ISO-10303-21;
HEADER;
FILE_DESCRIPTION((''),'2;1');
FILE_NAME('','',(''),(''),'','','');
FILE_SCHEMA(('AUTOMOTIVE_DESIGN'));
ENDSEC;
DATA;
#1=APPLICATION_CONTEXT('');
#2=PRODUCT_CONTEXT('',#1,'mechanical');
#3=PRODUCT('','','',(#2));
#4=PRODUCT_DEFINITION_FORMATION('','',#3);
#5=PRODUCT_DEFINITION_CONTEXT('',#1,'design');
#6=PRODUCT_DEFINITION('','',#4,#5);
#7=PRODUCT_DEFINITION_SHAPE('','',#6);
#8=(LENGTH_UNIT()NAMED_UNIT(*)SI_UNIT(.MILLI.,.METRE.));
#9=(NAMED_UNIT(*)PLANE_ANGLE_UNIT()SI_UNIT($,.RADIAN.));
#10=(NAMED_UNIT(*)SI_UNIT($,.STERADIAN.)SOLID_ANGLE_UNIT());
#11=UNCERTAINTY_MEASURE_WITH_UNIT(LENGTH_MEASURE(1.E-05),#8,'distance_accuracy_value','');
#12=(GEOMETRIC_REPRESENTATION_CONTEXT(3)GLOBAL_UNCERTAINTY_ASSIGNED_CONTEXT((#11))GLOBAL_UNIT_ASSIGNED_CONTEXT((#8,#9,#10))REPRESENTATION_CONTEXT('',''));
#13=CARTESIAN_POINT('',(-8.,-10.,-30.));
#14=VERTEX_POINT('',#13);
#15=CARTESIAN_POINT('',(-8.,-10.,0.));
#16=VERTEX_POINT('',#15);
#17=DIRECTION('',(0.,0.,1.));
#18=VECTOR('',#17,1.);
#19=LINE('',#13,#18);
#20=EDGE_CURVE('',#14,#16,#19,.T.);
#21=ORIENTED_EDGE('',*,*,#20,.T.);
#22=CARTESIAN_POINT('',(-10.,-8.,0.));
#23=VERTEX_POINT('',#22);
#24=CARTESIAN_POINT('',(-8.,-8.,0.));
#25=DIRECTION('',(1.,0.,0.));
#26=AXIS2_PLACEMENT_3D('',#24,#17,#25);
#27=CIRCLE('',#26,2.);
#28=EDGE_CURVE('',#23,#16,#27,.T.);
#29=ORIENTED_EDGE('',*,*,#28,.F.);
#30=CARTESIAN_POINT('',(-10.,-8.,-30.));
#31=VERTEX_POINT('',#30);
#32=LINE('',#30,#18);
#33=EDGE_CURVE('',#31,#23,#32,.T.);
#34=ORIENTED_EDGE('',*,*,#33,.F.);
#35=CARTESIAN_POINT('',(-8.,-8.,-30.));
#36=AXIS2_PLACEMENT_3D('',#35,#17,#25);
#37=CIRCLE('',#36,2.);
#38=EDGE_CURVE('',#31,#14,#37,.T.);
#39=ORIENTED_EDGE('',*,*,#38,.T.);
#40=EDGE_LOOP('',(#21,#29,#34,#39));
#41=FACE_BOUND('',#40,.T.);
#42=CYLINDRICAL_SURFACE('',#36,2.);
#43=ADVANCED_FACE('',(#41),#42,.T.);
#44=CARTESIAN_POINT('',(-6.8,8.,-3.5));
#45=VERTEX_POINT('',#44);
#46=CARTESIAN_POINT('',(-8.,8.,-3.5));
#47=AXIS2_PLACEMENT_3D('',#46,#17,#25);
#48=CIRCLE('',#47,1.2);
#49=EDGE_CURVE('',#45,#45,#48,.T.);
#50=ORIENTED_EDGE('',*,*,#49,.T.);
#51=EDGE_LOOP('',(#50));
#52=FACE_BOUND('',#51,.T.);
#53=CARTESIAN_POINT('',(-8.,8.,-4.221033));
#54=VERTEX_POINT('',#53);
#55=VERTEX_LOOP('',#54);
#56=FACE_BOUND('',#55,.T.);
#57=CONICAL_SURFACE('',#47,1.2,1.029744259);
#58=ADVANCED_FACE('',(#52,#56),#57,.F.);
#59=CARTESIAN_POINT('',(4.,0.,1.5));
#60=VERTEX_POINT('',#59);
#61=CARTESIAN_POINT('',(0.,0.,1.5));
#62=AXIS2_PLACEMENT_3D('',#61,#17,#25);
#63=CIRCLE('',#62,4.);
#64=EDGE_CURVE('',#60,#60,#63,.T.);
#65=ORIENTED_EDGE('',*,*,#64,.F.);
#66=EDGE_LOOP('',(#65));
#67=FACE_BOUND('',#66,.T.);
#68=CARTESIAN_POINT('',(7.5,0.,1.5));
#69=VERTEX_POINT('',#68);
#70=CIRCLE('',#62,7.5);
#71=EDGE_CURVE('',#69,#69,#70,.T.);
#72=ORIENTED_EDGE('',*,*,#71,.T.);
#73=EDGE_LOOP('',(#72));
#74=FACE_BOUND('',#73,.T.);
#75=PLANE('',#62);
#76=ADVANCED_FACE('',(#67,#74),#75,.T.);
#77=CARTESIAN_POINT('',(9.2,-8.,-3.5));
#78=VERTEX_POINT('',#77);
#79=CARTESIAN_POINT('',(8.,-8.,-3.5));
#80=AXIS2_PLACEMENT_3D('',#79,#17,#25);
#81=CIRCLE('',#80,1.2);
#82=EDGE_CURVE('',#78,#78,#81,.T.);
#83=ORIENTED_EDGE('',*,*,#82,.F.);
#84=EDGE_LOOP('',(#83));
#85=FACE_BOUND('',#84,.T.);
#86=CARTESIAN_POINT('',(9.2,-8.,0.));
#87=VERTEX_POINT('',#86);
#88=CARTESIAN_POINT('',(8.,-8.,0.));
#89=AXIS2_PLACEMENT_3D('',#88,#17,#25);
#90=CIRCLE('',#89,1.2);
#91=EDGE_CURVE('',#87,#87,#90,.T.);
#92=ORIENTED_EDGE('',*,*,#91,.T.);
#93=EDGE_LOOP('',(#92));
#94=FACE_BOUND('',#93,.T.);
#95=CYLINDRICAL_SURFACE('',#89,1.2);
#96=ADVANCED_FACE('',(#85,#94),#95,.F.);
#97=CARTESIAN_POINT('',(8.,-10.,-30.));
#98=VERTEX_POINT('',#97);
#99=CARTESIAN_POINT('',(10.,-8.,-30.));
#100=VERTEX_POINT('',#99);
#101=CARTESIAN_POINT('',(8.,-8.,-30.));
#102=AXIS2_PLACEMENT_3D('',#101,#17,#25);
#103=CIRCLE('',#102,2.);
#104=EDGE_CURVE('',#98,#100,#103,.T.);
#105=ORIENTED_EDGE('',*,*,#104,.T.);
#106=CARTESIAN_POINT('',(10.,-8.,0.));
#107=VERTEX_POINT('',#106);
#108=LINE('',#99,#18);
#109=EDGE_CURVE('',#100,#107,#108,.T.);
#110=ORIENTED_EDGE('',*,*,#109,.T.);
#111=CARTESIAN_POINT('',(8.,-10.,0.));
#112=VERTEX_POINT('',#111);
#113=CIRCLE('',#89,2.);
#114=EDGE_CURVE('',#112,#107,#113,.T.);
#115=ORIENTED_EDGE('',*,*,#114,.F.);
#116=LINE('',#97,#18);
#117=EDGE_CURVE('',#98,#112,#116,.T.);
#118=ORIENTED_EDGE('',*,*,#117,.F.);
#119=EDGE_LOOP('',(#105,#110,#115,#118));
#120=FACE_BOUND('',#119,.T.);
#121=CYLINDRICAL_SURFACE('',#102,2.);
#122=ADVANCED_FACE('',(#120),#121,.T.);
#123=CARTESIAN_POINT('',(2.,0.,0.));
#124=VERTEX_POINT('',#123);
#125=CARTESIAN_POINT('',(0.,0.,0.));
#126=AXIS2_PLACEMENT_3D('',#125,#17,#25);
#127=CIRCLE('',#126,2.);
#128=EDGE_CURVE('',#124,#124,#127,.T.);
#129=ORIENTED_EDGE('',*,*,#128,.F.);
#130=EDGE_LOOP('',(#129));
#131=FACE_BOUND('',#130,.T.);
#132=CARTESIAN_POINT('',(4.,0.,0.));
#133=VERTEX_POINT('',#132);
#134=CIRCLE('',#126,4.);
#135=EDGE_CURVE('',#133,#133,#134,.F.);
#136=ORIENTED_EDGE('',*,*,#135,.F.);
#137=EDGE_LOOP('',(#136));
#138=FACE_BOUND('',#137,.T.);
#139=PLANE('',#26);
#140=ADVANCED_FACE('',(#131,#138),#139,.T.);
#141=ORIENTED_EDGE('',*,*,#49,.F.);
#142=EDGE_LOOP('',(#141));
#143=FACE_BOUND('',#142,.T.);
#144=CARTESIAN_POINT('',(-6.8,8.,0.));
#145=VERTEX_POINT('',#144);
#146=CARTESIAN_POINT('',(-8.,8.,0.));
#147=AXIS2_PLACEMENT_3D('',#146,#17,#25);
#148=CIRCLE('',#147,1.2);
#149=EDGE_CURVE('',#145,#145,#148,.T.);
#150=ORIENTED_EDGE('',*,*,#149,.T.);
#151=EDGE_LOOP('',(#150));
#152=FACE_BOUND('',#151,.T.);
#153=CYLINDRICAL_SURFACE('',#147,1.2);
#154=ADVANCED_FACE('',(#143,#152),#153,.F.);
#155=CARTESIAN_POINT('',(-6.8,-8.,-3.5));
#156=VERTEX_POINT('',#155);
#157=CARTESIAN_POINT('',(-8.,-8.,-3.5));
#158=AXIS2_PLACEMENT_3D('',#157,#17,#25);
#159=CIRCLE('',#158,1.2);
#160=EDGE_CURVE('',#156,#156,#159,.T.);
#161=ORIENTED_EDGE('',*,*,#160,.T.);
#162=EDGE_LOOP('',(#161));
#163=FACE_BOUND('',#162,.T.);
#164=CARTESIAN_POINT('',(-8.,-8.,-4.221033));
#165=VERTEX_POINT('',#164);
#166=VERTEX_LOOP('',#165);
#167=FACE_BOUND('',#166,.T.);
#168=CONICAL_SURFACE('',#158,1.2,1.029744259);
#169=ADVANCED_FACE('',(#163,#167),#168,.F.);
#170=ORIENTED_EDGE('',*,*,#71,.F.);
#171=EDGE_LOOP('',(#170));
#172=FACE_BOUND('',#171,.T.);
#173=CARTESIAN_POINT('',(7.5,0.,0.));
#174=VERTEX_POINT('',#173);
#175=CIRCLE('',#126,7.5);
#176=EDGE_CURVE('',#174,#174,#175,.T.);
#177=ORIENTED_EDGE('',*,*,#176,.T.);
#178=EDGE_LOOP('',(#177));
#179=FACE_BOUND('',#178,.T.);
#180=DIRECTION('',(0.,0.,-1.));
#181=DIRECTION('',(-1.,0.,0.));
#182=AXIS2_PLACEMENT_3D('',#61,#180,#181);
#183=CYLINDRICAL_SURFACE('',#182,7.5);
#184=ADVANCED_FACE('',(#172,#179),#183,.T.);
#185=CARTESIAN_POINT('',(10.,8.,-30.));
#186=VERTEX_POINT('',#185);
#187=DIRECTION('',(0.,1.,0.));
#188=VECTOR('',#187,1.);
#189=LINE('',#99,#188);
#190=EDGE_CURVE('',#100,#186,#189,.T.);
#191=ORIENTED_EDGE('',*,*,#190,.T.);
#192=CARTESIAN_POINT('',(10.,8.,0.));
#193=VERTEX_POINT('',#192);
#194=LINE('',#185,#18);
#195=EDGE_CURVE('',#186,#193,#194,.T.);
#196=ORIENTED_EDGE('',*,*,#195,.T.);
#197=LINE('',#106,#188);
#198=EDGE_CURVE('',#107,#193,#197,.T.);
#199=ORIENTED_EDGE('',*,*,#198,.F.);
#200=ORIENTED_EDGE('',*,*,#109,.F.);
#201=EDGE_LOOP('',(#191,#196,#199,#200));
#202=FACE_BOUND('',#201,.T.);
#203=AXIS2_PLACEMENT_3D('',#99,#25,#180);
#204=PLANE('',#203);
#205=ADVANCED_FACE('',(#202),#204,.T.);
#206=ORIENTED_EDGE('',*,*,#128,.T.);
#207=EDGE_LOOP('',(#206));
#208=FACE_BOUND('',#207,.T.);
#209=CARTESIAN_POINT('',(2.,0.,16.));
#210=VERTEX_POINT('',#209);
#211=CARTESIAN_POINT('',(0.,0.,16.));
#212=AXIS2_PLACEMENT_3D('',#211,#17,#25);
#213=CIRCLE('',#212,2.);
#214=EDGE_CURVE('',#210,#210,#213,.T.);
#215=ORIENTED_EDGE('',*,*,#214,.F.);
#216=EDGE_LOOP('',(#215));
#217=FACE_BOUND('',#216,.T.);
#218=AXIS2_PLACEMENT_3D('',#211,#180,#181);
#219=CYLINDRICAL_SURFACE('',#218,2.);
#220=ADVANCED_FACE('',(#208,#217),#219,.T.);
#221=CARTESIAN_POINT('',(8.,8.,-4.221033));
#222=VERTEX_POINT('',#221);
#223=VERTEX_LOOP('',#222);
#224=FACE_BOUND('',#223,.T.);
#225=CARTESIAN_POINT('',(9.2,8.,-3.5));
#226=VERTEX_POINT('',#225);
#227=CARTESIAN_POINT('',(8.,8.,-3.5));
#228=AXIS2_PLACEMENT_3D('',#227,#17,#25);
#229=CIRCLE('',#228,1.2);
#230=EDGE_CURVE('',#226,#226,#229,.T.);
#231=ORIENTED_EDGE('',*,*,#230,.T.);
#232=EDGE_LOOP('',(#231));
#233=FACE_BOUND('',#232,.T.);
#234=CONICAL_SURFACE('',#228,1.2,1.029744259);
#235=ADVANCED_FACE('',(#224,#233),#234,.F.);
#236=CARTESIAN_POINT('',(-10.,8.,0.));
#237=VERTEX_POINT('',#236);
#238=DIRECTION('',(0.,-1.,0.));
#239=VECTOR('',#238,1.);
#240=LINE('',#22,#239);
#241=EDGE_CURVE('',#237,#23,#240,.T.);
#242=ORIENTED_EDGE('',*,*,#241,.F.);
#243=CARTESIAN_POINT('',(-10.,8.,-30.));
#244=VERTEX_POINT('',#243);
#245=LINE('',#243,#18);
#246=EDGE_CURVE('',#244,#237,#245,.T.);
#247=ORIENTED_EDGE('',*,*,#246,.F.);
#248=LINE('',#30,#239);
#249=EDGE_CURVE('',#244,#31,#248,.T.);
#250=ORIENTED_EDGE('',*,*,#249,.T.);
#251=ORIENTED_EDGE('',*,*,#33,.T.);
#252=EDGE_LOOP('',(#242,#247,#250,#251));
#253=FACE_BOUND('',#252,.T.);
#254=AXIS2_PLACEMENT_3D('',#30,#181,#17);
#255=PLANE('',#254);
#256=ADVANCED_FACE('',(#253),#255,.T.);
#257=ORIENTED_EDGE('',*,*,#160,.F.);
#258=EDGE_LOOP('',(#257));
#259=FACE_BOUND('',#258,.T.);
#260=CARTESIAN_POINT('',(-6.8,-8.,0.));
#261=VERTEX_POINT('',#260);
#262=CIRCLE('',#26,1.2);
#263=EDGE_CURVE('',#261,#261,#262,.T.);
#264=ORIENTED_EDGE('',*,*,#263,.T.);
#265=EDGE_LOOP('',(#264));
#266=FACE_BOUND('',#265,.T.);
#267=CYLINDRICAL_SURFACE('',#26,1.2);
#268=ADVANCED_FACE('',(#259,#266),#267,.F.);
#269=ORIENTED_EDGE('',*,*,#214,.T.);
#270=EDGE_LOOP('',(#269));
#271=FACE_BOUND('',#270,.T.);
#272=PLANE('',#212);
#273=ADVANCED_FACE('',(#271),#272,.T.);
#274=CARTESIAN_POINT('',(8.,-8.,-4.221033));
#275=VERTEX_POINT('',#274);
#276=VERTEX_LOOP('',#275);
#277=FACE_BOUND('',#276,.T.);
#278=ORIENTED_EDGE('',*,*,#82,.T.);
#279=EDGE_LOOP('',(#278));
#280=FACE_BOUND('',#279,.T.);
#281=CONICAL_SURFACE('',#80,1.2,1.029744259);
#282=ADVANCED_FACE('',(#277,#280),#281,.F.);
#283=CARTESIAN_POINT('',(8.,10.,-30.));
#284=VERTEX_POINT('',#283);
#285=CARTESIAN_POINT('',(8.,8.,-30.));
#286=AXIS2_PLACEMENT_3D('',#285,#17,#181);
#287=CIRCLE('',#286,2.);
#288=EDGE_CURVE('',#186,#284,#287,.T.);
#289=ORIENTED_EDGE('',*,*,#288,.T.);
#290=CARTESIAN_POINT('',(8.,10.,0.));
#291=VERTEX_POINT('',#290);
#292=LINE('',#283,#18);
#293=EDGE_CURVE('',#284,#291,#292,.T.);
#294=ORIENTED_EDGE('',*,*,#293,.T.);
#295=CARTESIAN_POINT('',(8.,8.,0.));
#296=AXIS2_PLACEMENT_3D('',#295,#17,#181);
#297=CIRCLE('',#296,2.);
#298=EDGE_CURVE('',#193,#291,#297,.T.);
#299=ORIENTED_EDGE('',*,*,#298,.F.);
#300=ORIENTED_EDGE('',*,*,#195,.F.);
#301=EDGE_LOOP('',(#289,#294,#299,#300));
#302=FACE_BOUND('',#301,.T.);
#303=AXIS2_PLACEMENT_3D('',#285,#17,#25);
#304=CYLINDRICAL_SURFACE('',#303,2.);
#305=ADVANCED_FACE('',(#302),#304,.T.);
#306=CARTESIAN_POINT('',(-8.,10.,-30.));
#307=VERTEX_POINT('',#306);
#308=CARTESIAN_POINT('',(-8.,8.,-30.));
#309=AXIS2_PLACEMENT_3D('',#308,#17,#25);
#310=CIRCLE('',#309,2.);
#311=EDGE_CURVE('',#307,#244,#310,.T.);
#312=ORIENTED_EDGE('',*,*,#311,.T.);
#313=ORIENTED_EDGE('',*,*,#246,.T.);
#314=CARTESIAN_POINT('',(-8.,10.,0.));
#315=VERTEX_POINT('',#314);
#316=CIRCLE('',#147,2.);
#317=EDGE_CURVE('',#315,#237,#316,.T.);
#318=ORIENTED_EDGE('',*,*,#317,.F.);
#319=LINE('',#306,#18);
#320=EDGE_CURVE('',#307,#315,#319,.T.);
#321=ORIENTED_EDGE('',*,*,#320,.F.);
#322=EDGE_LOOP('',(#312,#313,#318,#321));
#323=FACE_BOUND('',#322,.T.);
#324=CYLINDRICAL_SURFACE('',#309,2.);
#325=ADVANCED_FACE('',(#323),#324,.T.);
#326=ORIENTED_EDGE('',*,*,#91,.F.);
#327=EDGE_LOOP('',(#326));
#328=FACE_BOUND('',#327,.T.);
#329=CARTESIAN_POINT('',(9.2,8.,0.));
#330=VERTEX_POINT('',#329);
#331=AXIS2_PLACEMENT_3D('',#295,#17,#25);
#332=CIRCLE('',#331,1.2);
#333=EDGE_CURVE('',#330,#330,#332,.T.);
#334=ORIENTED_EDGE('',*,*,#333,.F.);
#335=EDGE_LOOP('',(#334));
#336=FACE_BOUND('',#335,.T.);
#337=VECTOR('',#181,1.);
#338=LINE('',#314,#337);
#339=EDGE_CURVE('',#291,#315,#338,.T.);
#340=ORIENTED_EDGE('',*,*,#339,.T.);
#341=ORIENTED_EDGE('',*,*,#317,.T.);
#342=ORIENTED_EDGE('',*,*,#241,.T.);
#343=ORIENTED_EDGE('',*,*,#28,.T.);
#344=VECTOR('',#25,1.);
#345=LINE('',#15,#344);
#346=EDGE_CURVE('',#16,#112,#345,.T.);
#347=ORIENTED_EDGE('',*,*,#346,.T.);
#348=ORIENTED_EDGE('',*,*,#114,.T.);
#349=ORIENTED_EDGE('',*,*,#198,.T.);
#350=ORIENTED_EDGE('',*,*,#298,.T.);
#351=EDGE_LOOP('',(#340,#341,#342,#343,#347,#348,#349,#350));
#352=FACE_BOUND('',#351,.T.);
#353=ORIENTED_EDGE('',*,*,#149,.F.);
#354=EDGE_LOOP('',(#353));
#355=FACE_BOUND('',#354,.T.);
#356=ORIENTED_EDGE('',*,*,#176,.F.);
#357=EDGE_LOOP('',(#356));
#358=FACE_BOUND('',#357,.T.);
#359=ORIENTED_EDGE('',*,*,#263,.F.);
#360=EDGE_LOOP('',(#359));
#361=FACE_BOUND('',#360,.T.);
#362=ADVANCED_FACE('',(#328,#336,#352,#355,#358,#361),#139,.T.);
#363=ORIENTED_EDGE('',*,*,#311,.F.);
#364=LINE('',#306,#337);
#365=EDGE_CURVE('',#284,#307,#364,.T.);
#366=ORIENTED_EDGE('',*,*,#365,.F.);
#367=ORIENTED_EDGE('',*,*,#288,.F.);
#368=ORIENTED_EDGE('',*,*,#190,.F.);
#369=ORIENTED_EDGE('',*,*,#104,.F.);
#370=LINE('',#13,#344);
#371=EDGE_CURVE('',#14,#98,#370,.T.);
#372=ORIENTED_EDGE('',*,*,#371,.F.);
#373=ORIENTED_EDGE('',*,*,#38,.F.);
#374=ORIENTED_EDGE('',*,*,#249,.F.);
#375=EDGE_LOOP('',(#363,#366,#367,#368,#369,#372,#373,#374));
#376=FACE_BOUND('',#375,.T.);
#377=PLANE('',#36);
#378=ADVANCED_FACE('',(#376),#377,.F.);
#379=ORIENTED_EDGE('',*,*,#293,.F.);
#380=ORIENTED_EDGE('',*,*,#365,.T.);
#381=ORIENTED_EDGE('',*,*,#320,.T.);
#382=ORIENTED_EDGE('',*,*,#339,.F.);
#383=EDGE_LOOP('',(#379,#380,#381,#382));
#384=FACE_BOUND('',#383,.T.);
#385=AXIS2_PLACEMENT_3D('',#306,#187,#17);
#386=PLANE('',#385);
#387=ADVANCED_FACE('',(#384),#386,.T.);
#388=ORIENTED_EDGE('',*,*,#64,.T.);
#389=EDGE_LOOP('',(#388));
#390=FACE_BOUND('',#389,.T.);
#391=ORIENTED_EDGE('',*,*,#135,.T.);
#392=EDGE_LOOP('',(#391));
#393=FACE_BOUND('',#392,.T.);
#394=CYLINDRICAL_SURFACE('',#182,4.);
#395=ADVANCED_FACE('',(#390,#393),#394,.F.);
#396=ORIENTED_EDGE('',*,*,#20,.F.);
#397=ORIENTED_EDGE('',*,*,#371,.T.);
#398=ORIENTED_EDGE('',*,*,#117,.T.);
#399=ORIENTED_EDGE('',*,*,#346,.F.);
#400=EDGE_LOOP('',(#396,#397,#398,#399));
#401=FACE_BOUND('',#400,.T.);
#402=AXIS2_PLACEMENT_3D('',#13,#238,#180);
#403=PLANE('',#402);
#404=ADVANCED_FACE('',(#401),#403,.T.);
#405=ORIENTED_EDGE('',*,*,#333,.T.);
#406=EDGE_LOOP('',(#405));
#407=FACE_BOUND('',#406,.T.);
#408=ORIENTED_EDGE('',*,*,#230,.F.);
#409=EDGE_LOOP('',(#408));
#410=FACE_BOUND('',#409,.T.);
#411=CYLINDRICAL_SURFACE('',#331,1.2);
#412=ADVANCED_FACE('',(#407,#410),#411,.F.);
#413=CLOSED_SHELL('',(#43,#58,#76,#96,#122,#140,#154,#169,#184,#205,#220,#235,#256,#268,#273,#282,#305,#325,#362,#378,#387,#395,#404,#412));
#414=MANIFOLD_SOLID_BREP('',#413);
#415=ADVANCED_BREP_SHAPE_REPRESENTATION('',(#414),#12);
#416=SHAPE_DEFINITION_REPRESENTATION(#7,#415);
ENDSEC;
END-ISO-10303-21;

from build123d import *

# Parameters (mm, degrees)
BOSS_EXTRUDE1_DEPTH      = 30
SKETCH3_R                = 7.5
SKETCH3_R_2              = 4
BOSS_EXTRUDE2_DEPTH      = 1.5
SKETCH4_R                = 2
BOSS_EXTRUDE3_DEPTH      = 16
M2_CLEARANCE_HOLE1_D     = 2.4
M2_CLEARANCE_HOLE1_DEPTH = 3.5
M2_CLEARANCE_HOLE1_TIP   = 0.721032743


with BuildPart() as part:
    # Sketch1 → Boss-Extrude1 (new body)
    with BuildSketch(Plane.XY):
        with BuildLine():
            Line((-8, -10), (8, -10))
            ThreePointArc((8, -10), (9.414213562, -9.414213562), (10, -8))
            Line((10, -8), (10, 8))
            ThreePointArc((10, 8), (9.414213562, 9.414213562), (8, 10))
            Line((8, 10), (-8, 10))
            ThreePointArc((-8, 10), (-9.414213562, 9.414213562), (-10, 8))
            Line((-10, 8), (-10, -8))
            ThreePointArc((-10, -8), (-9.414213562, -9.414213562), (-8, -10))
        make_face()
    extrude(amount=-BOSS_EXTRUDE1_DEPTH)

    # Sketch3 → Boss-Extrude2 (add)
    with BuildSketch(Plane.XY):
        Circle(SKETCH3_R)
        Circle(SKETCH3_R_2, mode=Mode.SUBTRACT)
    extrude(amount=BOSS_EXTRUDE2_DEPTH)

    # Sketch4 → Boss-Extrude3 (add)
    with BuildSketch(Plane.XY):
        Circle(SKETCH4_R)
    extrude(amount=BOSS_EXTRUDE3_DEPTH)

    # M2 Clearance Hole1
    with Locations(Plane.XY):
        with Locations((-8, 8), (8, 8), (8, -8), (-8, -8)):
            Hole(M2_CLEARANCE_HOLE1_D / 2, depth=M2_CLEARANCE_HOLE1_DEPTH)
            with Locations((0, 0, -(M2_CLEARANCE_HOLE1_DEPTH + M2_CLEARANCE_HOLE1_TIP / 2))):  # 118° drill point
                Cone(0, M2_CLEARANCE_HOLE1_D / 2, M2_CLEARANCE_HOLE1_TIP, mode=Mode.SUBTRACT)


solid = part.part
